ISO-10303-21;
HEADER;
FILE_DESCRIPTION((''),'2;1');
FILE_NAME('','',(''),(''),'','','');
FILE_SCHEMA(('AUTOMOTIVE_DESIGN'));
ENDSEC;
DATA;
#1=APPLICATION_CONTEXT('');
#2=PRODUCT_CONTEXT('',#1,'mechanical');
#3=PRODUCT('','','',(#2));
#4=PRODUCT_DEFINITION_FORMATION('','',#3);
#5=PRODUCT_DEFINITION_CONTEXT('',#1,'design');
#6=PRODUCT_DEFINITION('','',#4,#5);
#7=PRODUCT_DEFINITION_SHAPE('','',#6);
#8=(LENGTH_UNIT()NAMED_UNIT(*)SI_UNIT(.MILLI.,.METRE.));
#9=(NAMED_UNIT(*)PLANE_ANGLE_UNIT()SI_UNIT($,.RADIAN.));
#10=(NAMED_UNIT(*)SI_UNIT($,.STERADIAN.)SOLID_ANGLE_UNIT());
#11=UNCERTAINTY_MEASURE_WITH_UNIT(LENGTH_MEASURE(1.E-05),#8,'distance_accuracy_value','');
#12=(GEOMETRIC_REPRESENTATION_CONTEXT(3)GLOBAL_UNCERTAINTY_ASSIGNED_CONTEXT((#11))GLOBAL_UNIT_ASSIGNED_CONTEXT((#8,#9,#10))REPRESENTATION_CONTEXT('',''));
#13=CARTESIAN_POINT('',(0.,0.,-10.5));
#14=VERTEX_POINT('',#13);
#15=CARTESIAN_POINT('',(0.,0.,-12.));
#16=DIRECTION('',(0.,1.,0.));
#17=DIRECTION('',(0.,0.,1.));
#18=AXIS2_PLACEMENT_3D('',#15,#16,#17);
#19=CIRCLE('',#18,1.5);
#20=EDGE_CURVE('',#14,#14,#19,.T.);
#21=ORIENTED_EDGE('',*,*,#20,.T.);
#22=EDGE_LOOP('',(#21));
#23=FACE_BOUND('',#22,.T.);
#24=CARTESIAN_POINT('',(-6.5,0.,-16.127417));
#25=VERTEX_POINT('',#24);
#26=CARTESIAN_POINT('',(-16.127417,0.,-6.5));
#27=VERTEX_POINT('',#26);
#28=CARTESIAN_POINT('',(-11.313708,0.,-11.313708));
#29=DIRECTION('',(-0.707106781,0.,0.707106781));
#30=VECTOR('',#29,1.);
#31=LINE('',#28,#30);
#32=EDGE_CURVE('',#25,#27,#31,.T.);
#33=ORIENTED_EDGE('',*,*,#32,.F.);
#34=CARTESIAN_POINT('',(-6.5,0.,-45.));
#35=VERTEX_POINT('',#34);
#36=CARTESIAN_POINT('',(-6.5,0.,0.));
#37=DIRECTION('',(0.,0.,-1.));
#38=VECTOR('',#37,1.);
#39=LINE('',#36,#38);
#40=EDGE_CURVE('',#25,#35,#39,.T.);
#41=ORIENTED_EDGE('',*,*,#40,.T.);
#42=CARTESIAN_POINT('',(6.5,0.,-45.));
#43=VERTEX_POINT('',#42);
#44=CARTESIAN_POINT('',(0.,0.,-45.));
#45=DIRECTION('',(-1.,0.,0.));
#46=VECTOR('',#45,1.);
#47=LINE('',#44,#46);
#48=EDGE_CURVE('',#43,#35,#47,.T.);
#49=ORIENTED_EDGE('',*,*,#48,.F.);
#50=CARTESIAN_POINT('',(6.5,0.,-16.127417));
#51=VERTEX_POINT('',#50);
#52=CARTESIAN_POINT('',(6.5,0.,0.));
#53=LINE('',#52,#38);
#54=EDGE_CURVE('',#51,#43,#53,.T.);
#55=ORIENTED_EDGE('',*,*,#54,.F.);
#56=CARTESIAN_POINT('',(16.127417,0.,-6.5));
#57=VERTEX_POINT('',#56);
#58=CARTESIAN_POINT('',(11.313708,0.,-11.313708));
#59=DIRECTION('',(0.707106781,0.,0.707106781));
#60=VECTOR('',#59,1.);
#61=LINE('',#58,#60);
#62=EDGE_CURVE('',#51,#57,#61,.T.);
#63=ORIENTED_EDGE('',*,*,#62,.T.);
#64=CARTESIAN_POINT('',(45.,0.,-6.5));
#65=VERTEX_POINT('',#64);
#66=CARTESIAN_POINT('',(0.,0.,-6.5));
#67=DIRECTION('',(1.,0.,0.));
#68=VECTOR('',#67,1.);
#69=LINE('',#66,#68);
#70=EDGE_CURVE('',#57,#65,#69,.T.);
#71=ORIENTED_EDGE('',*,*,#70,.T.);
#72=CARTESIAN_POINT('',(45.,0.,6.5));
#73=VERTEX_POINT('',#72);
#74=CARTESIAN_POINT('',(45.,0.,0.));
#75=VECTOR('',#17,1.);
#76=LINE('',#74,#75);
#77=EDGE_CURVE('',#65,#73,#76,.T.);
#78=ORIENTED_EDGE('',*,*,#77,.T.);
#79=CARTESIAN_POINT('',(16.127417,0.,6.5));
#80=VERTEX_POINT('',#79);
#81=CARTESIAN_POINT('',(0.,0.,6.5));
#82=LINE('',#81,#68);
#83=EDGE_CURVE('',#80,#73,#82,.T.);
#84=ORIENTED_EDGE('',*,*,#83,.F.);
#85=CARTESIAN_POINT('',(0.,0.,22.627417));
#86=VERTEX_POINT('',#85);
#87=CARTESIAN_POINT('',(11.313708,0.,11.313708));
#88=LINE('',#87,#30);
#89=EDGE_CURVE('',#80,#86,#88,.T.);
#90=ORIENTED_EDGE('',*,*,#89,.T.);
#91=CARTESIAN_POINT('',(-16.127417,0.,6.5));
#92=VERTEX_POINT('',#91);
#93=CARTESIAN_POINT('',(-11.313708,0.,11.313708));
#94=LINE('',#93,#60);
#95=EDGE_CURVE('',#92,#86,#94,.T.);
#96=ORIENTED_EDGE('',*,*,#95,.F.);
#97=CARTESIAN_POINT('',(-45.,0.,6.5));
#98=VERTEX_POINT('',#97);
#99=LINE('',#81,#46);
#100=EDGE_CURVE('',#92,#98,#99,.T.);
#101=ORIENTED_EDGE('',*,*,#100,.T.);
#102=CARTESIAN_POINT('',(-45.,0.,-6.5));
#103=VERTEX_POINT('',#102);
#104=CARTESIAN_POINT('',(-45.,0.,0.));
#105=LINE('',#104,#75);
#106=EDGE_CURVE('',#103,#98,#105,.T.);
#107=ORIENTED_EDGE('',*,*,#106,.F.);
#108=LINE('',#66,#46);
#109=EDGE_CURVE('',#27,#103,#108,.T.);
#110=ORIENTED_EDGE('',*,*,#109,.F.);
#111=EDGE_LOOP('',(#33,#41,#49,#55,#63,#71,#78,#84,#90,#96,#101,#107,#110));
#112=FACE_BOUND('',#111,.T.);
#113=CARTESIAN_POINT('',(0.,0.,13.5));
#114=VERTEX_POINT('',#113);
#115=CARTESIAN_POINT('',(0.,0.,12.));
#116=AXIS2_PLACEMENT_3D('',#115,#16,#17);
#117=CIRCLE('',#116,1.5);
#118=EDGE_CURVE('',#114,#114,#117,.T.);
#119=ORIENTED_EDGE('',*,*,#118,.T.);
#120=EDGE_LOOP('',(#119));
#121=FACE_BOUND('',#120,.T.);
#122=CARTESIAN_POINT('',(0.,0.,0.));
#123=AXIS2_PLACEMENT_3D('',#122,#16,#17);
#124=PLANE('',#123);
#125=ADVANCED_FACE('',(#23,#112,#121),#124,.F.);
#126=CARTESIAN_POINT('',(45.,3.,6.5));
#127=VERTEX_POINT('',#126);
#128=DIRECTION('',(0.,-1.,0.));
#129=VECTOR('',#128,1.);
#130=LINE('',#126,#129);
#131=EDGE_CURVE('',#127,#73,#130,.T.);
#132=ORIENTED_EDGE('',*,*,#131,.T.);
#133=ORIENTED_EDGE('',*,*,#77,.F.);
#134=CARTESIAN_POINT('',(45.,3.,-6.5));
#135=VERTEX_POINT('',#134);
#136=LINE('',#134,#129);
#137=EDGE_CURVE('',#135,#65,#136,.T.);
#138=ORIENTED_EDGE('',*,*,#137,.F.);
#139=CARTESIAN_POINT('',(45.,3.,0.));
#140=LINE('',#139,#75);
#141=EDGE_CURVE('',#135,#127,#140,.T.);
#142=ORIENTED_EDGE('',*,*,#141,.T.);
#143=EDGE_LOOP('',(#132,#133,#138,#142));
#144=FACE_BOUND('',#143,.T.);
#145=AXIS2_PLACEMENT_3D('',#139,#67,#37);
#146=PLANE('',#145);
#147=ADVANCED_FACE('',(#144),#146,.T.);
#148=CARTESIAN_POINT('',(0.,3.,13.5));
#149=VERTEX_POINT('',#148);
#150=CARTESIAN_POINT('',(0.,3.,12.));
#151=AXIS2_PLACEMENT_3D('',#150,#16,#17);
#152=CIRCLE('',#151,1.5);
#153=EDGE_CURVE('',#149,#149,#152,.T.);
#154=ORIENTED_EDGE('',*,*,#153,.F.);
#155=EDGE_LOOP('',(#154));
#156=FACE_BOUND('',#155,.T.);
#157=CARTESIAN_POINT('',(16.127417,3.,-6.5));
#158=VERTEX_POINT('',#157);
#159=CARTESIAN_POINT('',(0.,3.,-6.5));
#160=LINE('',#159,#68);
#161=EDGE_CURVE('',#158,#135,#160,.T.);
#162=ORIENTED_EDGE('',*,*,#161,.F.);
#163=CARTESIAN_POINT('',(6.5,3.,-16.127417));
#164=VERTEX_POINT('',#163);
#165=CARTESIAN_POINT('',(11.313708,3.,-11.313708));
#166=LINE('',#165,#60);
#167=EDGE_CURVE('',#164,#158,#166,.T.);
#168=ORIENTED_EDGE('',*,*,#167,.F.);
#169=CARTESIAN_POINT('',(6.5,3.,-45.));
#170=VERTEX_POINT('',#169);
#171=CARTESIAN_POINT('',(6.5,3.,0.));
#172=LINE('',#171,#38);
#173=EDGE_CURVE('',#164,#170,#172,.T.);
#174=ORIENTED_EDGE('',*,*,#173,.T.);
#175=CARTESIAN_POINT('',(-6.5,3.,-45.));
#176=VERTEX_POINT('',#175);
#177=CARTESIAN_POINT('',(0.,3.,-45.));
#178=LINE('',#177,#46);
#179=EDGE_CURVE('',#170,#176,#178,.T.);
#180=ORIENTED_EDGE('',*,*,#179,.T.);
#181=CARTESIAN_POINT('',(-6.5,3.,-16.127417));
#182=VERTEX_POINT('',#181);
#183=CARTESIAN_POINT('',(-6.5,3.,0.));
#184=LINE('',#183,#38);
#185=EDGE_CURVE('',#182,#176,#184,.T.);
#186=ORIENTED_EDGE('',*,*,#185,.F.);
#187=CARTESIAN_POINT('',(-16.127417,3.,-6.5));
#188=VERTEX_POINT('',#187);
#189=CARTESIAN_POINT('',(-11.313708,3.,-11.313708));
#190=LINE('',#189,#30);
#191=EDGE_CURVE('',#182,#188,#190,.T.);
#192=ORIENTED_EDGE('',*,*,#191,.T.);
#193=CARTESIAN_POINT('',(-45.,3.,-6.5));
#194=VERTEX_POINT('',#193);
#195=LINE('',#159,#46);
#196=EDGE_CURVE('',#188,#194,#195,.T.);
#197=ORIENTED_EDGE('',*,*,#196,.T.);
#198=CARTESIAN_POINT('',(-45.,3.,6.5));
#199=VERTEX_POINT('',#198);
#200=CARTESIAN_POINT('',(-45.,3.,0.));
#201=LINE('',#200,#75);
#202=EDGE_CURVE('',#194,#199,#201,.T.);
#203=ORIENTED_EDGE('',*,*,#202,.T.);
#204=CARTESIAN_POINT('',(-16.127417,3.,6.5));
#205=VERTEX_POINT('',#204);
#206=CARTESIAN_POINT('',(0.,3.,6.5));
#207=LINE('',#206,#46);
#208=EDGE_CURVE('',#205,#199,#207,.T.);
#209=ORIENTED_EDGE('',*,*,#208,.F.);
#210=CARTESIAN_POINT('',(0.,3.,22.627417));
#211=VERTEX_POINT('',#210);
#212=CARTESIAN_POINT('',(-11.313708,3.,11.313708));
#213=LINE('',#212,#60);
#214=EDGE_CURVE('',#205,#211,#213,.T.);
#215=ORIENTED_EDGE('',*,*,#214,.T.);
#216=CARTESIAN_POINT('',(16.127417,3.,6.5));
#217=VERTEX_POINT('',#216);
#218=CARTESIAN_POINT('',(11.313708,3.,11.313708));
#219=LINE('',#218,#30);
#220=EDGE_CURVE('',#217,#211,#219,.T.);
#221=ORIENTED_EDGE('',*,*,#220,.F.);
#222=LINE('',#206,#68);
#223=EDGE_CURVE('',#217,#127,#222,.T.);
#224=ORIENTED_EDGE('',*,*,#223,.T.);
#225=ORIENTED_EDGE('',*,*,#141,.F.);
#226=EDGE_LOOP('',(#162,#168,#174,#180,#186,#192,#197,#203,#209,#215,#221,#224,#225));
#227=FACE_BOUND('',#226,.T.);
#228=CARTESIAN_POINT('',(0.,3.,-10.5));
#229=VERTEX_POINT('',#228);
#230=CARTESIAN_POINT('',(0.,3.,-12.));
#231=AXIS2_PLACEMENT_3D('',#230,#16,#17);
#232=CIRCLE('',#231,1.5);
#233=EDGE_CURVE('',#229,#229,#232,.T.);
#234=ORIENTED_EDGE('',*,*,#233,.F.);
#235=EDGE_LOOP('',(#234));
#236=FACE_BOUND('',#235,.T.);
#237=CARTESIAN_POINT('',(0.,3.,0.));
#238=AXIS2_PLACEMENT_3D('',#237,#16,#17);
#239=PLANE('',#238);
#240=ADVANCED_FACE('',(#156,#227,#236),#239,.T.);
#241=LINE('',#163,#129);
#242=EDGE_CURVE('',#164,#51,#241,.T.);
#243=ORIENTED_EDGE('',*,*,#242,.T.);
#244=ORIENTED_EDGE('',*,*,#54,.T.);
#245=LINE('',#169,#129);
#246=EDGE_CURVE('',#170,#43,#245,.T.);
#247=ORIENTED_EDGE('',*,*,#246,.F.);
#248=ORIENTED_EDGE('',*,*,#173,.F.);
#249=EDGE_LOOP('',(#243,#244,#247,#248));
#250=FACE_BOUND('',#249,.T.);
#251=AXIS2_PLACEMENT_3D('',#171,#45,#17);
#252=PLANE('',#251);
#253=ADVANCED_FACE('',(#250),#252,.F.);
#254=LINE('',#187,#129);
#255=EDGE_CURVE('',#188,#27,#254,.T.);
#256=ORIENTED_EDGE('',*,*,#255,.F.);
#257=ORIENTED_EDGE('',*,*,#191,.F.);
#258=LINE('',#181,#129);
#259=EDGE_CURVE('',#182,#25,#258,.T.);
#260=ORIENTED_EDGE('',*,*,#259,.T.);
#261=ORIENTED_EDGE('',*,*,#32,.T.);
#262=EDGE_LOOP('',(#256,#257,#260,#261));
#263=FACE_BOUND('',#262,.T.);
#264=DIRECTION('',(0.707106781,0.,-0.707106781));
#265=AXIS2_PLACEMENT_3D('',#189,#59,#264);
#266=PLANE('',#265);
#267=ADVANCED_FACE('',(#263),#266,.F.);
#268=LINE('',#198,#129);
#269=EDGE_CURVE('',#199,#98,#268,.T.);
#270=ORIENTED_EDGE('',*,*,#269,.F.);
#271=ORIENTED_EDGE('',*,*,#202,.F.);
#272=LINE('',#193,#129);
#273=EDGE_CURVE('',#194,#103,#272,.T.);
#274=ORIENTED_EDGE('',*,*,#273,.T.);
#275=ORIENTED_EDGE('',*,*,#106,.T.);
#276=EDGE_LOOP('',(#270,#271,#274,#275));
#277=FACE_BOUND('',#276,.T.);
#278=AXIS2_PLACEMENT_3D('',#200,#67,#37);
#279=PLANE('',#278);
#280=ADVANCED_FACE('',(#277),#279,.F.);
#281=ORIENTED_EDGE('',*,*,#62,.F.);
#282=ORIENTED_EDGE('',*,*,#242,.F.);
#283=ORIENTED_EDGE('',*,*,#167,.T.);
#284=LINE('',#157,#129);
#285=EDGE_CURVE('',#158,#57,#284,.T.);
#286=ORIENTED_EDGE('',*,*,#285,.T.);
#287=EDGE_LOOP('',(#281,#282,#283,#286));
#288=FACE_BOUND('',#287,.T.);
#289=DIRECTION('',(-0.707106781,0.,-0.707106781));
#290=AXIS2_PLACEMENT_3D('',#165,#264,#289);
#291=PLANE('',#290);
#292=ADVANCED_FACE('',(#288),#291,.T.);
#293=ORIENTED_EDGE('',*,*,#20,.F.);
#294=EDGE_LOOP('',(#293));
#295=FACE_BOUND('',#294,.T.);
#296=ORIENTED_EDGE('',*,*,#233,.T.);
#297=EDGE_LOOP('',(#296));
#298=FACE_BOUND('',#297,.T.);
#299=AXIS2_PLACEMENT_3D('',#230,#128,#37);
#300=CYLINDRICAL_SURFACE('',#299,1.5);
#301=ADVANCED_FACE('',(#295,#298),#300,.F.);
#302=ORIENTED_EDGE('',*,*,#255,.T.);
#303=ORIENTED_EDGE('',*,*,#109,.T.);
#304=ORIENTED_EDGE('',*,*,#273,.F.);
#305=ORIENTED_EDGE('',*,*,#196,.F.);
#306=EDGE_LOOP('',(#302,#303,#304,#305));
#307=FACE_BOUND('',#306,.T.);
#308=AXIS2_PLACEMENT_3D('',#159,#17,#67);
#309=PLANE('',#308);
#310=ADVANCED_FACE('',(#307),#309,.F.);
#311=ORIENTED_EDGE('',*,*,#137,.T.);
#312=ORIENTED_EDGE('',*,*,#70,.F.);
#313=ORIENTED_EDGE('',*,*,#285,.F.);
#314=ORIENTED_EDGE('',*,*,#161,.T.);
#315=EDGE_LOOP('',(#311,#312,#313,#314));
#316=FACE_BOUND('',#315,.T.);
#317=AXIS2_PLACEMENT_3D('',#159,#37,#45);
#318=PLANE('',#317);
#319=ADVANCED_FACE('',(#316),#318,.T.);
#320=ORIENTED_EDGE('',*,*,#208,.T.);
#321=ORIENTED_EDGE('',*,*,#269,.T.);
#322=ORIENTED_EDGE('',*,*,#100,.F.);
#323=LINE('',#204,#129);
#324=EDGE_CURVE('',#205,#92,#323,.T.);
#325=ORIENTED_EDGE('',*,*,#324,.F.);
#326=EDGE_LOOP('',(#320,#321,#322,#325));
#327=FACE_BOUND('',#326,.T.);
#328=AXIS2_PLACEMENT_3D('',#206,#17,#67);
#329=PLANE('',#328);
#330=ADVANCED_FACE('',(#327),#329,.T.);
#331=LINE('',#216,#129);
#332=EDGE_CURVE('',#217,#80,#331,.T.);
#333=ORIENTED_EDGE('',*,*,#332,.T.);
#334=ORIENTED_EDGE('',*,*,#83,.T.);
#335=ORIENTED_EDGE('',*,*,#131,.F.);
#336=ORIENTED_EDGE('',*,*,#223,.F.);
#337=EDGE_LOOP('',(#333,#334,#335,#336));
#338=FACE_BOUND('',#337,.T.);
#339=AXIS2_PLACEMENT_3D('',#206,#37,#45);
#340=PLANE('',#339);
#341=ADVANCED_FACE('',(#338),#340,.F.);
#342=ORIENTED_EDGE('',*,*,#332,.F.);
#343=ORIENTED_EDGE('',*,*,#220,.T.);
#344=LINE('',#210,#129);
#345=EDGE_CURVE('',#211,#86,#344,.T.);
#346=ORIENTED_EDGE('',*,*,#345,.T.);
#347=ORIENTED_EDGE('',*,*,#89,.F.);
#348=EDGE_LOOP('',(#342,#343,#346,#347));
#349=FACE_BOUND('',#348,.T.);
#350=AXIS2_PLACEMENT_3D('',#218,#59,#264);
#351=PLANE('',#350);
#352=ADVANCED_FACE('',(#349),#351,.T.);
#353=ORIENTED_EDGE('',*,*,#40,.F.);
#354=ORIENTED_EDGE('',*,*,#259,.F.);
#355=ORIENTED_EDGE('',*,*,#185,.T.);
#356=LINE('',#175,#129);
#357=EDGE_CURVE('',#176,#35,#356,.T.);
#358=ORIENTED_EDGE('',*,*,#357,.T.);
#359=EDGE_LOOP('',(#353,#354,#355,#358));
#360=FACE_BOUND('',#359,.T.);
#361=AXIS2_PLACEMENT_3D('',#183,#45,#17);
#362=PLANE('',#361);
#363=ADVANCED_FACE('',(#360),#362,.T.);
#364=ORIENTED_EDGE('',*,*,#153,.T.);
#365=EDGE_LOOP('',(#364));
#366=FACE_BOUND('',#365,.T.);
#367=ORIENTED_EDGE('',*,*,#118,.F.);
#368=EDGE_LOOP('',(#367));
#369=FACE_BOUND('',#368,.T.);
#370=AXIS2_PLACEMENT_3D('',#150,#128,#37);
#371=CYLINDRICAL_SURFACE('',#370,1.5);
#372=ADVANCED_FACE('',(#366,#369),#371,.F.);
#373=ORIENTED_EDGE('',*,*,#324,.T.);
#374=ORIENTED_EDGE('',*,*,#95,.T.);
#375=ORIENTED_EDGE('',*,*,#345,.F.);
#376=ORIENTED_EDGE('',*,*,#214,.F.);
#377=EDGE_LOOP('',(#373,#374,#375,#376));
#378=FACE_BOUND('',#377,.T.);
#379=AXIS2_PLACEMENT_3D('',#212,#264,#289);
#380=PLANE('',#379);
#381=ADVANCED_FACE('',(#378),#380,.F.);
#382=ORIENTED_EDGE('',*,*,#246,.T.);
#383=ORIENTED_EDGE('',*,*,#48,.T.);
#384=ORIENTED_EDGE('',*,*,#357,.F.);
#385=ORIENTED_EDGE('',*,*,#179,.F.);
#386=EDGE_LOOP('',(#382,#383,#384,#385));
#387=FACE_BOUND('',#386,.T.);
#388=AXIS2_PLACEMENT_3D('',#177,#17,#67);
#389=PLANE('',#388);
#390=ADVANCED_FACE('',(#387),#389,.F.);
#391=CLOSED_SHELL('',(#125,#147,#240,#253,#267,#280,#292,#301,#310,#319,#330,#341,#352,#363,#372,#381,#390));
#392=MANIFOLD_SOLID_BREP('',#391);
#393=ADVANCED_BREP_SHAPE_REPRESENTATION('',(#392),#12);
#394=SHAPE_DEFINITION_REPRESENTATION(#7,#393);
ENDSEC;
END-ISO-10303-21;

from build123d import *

# Parameters (mm, degrees)
ESBO_O1_R                = 1.5
RESSALTO_EXTRUS_O1_DEPTH = 3


with BuildPart() as part:
    # Esboço1 → Ressalto-extrusão1 (new body)
    with BuildSketch(Plane(origin=(0, 0, 0), x_dir=(1, 0, 0), z_dir=(0, 1, 0))):
        Polygon((6.5, 16.127416998), (6.5, 45), (-6.5, 45), (-6.5, 16.127416998), (-16.127416998, 6.5), (-45, 6.5), (-45, -6.5), (-16.127416998, -6.5), (0, -22.627416998), (16.127416998, -6.5), (45, -6.5), (45, 6.5), (16.127416998, 6.5), align=None)
        with Locations(Location((0, -12, 0), (0, 0, 270))):
            Circle(ESBO_O1_R, mode=Mode.SUBTRACT)
        with Locations(Location((0, 12, 0), (0, 0, 270))):
            Circle(ESBO_O1_R, mode=Mode.SUBTRACT)
    extrude(amount=RESSALTO_EXTRUS_O1_DEPTH)


solid = part.part
